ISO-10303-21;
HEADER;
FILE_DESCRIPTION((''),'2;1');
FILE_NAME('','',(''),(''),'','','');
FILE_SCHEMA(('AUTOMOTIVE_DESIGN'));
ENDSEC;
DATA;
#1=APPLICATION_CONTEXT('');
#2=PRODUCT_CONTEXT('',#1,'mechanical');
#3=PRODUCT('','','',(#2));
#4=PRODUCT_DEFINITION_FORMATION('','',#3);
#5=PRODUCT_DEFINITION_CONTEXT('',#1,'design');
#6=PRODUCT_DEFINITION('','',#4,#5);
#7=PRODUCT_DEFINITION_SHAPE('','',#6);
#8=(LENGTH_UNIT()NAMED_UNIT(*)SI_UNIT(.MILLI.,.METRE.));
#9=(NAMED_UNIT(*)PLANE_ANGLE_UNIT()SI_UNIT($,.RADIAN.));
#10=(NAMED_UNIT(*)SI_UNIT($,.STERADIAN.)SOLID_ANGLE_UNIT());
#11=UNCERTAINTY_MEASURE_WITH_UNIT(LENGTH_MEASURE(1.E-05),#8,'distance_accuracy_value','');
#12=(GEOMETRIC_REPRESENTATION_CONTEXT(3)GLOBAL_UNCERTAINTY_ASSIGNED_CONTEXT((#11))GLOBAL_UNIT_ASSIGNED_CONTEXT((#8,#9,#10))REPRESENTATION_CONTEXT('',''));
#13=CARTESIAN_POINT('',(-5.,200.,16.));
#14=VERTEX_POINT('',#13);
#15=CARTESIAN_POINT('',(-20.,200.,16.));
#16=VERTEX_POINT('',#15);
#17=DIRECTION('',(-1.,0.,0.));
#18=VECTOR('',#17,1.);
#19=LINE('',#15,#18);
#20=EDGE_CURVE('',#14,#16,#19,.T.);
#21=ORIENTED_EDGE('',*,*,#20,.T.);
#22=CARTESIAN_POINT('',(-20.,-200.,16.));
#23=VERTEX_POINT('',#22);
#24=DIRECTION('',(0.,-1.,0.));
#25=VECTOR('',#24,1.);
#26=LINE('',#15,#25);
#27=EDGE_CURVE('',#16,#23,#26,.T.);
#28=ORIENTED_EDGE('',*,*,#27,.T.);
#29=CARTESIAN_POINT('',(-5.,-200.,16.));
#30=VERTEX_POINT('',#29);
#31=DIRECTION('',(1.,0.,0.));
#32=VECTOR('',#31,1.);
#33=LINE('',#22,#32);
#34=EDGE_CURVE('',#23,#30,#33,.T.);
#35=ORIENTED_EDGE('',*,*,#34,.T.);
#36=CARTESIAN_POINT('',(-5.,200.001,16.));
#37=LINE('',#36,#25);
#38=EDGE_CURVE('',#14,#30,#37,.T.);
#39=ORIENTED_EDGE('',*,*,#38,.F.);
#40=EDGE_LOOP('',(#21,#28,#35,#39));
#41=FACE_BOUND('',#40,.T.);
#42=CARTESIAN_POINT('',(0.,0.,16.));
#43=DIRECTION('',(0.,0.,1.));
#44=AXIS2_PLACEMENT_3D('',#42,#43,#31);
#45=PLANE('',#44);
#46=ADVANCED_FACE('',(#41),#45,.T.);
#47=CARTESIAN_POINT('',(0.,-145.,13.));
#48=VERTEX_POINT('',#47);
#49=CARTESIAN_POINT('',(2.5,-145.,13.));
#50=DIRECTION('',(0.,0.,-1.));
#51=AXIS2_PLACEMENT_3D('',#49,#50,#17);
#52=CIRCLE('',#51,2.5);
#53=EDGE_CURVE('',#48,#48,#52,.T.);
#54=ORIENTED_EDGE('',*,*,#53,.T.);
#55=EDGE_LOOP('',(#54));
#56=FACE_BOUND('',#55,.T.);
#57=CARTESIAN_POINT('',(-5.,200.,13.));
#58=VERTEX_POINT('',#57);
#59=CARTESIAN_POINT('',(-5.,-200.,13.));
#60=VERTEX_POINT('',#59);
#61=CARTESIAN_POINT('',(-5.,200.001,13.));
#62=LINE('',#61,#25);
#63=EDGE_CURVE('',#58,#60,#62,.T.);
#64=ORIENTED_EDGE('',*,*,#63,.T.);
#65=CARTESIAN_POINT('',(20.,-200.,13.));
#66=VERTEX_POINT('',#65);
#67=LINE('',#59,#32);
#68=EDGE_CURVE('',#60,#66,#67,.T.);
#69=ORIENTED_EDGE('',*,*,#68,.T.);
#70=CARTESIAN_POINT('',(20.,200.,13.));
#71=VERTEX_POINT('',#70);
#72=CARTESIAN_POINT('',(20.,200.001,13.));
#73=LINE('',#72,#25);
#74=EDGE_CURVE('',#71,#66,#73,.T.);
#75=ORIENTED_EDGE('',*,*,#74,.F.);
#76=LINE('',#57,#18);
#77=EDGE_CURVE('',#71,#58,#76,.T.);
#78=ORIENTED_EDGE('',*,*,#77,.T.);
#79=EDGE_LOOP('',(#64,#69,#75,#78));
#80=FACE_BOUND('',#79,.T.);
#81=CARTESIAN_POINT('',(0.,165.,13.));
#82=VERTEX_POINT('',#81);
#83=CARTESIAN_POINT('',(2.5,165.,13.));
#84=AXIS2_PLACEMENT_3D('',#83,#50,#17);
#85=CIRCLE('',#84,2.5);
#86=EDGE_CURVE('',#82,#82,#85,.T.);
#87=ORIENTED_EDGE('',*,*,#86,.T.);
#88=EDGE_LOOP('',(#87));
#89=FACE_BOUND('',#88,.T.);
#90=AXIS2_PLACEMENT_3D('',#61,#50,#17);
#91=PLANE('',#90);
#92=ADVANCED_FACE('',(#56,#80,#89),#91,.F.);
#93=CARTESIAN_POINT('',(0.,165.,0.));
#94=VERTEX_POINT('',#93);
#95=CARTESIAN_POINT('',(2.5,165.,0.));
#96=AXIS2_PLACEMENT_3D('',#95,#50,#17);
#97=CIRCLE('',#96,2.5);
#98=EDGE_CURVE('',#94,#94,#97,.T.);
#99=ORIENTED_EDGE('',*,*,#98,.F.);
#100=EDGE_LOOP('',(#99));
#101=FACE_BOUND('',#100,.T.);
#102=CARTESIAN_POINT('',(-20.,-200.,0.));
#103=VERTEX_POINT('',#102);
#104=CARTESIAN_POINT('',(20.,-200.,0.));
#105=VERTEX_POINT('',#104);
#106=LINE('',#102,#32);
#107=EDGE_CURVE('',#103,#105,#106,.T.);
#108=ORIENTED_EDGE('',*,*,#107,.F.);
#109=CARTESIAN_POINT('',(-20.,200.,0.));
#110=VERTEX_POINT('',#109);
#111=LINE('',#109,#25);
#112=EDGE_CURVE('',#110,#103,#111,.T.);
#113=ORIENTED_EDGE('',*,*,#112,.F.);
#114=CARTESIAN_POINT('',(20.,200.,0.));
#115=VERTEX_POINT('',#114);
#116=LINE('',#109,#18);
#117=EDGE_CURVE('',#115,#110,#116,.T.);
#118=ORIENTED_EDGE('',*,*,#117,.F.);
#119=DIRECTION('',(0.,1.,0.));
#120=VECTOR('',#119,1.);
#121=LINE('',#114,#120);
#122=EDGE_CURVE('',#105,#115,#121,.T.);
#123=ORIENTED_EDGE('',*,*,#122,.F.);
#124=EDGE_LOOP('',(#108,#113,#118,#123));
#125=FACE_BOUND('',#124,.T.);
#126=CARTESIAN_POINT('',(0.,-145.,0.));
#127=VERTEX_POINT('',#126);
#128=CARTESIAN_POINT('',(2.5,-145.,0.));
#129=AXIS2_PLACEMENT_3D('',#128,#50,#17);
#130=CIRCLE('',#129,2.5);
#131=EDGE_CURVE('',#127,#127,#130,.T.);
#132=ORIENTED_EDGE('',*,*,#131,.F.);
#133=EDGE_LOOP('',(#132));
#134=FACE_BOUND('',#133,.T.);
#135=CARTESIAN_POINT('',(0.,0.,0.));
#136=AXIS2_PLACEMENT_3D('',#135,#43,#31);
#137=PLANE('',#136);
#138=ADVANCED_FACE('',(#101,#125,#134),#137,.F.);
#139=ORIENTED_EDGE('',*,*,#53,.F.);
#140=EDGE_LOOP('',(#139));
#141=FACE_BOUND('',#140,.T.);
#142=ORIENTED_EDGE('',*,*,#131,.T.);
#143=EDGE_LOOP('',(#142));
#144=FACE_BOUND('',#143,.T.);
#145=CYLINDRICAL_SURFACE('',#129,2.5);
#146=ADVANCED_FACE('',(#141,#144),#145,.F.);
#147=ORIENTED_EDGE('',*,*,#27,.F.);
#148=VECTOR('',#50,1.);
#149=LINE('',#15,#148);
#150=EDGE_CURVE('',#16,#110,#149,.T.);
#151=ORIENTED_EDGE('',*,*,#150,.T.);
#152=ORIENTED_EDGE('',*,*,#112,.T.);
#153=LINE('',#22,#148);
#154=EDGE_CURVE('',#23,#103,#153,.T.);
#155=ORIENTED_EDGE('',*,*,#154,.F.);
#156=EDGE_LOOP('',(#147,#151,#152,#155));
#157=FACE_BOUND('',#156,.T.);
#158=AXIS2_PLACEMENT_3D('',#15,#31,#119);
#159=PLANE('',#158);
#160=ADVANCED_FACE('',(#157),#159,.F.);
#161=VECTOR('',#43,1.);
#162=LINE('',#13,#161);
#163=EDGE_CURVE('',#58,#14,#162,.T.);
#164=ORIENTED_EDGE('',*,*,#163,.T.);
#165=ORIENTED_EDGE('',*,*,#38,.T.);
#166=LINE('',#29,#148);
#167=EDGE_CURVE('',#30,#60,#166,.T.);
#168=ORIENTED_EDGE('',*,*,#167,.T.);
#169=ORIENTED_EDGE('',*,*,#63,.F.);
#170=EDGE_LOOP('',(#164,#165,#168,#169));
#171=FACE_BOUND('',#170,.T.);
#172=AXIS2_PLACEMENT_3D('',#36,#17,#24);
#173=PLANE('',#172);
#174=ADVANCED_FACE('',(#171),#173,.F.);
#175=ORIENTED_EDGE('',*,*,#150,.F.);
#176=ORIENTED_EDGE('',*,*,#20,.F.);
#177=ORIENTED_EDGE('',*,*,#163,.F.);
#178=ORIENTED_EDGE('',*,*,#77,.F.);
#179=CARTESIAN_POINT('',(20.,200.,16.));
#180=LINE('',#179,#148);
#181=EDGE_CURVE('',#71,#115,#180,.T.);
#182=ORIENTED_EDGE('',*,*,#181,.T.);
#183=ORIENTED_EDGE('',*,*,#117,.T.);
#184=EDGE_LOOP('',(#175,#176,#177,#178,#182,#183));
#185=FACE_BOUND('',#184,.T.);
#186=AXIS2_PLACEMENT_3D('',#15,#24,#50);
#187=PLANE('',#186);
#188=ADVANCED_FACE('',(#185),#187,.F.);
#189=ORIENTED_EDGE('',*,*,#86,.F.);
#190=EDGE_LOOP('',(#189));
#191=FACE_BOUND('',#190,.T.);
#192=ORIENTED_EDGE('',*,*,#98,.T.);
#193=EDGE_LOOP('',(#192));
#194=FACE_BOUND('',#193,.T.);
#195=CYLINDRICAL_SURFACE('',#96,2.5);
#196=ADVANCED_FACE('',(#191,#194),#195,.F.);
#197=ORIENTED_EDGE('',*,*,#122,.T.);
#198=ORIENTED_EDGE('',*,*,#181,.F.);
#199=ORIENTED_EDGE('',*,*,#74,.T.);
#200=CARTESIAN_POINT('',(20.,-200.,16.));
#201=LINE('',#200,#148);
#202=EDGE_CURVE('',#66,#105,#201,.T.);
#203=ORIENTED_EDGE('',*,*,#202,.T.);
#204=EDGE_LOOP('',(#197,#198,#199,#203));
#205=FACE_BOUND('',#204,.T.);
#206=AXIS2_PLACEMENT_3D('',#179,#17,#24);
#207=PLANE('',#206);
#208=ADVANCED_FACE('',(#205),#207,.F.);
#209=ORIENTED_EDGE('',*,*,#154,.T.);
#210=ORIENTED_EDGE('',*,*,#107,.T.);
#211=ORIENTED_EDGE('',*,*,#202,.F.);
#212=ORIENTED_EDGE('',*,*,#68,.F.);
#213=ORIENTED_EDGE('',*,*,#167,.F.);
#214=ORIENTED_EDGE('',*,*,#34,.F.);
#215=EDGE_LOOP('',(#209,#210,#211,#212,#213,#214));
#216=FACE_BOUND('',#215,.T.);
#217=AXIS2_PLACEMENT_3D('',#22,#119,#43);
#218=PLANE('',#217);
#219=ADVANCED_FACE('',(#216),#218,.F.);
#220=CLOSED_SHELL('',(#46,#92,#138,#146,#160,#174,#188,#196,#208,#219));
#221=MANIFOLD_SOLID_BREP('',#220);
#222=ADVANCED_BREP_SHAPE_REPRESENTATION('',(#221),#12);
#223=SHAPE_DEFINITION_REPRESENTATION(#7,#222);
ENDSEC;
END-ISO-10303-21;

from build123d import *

# Parameters (mm, degrees)
SKETCH1_W         = 40
SKETCH1_H         = 400
EXTRUDE1_DEPTH    = 16
EXTRUDE2_REACH    = 402
SKETCH2_W         = 25
SKETCH2_H         = 3
M6_TAPPED_HOLE1_D = 5


with BuildPart() as part:
    # Sketch1 → Extrude1 (new body)
    with BuildSketch(Plane.XY):
        Rectangle(SKETCH1_W, SKETCH1_H)
    extrude(amount=EXTRUDE1_DEPTH)

    # Sketch2 → Extrude2 (cut, up to next)
    with BuildSketch(Plane.XZ.offset(200), mode=Mode.PRIVATE) as extrude2_sk1:
        with Locations((7.5, 14.5)):
            Rectangle(SKETCH2_W, SKETCH2_H)
    extrude2_tool1 = extrude(extrude2_sk1.sketch, amount=-EXTRUDE2_REACH, mode=Mode.PRIVATE) & part.part
    add(extrude2_tool1.solids().sort_by_distance((7.5, -200, 14.5))[0], mode=Mode.SUBTRACT)

    # M6 Tapped Hole1 (through all)
    with Locations(Plane(origin=(0, 0, 0), x_dir=(-1, 0, 0), z_dir=(0, 0, -1))):
        with Locations((-2.5, 165), (-2.5, -145)):
            Hole(M6_TAPPED_HOLE1_D / 2)


solid = part.part
